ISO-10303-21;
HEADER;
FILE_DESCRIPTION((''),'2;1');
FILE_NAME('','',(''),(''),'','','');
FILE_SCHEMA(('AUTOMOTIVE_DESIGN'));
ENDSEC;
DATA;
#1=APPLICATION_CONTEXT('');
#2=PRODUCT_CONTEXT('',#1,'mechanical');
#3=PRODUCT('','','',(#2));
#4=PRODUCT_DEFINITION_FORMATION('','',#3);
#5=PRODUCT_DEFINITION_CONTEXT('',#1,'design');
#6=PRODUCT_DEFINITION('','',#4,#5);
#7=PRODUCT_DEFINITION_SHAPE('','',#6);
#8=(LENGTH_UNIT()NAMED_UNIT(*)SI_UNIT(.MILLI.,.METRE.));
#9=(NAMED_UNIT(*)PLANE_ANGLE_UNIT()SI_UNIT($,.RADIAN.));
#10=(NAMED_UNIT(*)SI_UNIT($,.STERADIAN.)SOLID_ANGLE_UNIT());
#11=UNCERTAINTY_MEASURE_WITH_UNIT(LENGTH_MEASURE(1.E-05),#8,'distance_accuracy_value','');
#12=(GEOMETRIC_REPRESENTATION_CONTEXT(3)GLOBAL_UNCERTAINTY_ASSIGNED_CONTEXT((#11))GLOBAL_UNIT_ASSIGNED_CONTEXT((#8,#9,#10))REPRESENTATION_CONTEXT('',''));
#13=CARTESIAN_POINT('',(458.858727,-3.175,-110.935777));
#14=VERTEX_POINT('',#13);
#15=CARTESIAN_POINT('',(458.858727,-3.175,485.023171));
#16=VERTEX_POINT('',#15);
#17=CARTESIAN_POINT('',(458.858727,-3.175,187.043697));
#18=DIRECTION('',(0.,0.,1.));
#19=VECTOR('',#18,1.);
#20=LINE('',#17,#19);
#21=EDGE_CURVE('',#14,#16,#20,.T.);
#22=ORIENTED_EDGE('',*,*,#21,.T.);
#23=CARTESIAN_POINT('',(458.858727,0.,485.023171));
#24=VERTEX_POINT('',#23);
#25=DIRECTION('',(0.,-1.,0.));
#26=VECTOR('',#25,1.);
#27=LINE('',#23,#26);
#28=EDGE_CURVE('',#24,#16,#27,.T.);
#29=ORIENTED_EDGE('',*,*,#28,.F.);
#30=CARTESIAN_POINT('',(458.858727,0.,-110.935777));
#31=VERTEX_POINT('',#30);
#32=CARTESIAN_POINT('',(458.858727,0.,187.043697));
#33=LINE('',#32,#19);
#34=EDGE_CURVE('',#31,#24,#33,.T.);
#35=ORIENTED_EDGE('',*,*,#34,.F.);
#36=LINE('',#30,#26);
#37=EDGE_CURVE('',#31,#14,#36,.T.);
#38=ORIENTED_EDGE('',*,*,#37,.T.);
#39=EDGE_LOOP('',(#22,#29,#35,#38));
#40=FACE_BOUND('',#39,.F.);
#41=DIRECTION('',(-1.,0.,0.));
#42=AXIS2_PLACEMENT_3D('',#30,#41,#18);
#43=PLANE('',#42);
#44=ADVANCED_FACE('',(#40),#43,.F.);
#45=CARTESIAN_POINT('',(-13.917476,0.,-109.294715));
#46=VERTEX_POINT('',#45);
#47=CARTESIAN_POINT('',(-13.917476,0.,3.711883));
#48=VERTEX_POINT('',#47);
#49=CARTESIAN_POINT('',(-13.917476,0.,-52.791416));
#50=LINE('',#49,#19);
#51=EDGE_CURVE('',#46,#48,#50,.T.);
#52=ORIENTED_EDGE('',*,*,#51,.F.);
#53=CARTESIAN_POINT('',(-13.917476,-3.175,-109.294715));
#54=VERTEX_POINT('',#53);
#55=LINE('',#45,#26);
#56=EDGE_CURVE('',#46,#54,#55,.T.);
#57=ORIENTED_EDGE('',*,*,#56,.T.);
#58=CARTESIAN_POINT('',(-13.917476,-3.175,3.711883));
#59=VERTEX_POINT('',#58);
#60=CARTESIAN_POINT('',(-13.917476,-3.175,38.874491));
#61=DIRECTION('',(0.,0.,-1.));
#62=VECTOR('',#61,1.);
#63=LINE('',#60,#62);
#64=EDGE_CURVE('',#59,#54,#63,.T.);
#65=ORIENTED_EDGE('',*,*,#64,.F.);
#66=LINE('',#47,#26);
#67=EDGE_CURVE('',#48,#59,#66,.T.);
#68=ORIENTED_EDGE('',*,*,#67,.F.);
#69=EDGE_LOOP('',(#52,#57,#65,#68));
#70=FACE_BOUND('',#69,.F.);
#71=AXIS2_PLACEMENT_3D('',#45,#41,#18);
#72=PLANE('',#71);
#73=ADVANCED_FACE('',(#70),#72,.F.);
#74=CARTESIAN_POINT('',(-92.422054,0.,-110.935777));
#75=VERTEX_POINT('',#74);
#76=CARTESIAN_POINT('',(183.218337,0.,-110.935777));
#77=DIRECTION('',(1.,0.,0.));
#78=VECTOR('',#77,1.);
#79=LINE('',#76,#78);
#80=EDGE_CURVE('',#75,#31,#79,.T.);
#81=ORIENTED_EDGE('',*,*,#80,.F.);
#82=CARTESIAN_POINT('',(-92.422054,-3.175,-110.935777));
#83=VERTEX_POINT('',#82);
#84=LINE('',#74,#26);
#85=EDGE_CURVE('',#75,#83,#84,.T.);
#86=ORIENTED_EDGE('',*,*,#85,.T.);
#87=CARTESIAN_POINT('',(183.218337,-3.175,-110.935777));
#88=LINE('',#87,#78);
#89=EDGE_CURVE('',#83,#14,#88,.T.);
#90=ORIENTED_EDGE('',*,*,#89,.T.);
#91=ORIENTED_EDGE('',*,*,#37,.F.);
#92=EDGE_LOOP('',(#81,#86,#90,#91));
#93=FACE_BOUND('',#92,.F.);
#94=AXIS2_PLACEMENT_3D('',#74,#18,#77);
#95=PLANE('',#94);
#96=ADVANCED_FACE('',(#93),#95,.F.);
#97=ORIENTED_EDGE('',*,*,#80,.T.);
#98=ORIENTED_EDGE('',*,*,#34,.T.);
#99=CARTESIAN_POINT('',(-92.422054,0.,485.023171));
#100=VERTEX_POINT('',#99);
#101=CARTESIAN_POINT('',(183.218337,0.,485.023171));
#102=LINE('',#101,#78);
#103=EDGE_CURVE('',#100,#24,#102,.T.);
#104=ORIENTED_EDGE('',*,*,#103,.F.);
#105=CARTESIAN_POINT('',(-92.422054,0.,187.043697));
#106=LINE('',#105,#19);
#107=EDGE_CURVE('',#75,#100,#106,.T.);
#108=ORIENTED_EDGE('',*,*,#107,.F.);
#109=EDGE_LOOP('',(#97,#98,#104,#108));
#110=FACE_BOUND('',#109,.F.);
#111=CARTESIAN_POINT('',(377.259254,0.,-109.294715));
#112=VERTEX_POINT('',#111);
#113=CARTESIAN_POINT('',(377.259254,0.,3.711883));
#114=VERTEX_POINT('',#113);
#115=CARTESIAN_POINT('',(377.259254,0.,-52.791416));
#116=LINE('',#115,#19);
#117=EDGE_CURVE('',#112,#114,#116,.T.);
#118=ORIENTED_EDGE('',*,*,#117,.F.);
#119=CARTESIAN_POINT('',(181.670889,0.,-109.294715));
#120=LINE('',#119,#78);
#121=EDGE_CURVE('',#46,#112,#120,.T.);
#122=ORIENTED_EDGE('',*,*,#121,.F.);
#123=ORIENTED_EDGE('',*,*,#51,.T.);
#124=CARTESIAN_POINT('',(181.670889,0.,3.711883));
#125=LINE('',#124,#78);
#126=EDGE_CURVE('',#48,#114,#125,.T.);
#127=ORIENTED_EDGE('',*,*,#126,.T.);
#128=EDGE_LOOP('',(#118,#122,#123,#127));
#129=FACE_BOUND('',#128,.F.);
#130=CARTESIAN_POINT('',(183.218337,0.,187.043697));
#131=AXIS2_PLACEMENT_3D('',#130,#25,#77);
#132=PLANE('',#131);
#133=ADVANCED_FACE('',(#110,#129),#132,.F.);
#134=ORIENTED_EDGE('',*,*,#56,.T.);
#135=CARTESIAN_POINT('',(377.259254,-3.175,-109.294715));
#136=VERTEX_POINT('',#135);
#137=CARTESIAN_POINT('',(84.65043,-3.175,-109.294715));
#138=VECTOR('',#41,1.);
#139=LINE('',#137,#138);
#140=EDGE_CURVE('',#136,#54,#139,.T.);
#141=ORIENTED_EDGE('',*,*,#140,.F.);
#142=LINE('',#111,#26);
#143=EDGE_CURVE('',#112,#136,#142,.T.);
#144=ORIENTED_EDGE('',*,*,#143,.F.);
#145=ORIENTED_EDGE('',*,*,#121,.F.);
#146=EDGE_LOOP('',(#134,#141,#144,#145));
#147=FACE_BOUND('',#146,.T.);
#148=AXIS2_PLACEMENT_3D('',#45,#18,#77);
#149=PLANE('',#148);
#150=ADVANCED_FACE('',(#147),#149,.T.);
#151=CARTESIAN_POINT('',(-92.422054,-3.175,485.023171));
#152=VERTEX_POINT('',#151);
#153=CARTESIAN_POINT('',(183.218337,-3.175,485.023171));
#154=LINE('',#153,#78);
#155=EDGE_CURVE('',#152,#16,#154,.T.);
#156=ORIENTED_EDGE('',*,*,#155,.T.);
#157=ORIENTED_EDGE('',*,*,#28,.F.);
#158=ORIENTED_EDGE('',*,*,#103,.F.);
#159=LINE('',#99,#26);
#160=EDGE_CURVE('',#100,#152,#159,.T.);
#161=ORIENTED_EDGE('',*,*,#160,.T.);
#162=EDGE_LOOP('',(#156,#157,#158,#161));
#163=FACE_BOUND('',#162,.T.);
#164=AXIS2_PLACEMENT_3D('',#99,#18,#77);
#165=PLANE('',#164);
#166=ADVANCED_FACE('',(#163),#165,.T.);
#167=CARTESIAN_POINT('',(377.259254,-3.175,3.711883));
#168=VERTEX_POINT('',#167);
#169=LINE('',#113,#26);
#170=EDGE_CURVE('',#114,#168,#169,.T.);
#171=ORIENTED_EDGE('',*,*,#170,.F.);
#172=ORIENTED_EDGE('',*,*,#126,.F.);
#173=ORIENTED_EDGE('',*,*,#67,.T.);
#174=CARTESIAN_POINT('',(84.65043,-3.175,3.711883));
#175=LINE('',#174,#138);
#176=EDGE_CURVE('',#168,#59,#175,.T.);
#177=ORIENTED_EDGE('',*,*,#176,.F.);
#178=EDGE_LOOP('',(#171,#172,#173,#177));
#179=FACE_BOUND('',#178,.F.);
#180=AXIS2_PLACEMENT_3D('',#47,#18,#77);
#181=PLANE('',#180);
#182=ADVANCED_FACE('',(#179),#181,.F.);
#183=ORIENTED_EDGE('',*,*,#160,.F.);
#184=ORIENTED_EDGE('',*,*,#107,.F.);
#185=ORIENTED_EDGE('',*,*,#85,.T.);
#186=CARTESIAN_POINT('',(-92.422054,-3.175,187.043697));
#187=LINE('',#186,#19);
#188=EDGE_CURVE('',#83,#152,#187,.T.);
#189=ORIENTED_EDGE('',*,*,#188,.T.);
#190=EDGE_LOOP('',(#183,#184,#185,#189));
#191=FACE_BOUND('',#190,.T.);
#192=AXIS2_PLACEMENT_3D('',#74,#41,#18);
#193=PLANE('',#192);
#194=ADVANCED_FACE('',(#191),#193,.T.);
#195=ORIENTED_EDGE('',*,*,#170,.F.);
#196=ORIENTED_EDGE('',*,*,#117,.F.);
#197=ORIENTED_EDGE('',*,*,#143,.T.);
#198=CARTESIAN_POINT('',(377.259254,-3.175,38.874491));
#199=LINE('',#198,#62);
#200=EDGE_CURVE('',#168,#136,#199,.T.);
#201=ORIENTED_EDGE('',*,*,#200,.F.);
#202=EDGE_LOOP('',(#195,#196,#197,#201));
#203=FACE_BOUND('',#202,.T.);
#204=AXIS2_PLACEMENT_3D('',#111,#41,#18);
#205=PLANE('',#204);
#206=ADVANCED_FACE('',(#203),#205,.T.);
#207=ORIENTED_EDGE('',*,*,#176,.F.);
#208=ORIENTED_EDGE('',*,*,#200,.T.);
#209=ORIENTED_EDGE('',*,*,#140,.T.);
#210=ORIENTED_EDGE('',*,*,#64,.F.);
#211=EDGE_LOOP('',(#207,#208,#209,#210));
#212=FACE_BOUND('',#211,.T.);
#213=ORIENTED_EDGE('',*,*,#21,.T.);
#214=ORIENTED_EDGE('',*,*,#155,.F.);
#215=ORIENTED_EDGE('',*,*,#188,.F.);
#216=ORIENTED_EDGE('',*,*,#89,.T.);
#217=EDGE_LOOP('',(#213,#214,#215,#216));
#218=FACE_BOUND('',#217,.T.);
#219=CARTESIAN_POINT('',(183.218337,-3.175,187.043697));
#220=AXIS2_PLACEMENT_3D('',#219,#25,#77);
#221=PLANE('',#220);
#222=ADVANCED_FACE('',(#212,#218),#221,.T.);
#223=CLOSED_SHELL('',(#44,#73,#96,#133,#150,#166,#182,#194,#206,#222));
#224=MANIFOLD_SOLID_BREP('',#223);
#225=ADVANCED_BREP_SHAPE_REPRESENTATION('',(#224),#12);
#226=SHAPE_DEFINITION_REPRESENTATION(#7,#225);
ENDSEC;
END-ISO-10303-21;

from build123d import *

# Parameters (mm, degrees)
F0_W          = 551.280781
F0_H          = 595.958948
F2_DEPTH      = 3.175
F1_W          = 391.17673
F1_H          = 113.006599
F3_DEPTH      = 25.4
F3_DEPTH_BACK = 25.4


with BuildPart() as f2:
    # F0 (on Front) → F2 (new body)
    with BuildSketch(Plane.XZ):
        with Locations((183.218337, 187.043697)):
            Rectangle(F0_W, F0_H)
    extrude(amount=F2_DEPTH)

    # F1 (on face) → F3 (cut, two sides)
    with BuildSketch(Plane.XZ) as f3_sk:
        with Locations((181.670889, -52.791416)):
            Rectangle(F1_W, F1_H)
    extrude(amount=F3_DEPTH, mode=Mode.SUBTRACT)
    extrude(f3_sk.sketch, amount=-F3_DEPTH_BACK, mode=Mode.SUBTRACT)


solid = f2.part
